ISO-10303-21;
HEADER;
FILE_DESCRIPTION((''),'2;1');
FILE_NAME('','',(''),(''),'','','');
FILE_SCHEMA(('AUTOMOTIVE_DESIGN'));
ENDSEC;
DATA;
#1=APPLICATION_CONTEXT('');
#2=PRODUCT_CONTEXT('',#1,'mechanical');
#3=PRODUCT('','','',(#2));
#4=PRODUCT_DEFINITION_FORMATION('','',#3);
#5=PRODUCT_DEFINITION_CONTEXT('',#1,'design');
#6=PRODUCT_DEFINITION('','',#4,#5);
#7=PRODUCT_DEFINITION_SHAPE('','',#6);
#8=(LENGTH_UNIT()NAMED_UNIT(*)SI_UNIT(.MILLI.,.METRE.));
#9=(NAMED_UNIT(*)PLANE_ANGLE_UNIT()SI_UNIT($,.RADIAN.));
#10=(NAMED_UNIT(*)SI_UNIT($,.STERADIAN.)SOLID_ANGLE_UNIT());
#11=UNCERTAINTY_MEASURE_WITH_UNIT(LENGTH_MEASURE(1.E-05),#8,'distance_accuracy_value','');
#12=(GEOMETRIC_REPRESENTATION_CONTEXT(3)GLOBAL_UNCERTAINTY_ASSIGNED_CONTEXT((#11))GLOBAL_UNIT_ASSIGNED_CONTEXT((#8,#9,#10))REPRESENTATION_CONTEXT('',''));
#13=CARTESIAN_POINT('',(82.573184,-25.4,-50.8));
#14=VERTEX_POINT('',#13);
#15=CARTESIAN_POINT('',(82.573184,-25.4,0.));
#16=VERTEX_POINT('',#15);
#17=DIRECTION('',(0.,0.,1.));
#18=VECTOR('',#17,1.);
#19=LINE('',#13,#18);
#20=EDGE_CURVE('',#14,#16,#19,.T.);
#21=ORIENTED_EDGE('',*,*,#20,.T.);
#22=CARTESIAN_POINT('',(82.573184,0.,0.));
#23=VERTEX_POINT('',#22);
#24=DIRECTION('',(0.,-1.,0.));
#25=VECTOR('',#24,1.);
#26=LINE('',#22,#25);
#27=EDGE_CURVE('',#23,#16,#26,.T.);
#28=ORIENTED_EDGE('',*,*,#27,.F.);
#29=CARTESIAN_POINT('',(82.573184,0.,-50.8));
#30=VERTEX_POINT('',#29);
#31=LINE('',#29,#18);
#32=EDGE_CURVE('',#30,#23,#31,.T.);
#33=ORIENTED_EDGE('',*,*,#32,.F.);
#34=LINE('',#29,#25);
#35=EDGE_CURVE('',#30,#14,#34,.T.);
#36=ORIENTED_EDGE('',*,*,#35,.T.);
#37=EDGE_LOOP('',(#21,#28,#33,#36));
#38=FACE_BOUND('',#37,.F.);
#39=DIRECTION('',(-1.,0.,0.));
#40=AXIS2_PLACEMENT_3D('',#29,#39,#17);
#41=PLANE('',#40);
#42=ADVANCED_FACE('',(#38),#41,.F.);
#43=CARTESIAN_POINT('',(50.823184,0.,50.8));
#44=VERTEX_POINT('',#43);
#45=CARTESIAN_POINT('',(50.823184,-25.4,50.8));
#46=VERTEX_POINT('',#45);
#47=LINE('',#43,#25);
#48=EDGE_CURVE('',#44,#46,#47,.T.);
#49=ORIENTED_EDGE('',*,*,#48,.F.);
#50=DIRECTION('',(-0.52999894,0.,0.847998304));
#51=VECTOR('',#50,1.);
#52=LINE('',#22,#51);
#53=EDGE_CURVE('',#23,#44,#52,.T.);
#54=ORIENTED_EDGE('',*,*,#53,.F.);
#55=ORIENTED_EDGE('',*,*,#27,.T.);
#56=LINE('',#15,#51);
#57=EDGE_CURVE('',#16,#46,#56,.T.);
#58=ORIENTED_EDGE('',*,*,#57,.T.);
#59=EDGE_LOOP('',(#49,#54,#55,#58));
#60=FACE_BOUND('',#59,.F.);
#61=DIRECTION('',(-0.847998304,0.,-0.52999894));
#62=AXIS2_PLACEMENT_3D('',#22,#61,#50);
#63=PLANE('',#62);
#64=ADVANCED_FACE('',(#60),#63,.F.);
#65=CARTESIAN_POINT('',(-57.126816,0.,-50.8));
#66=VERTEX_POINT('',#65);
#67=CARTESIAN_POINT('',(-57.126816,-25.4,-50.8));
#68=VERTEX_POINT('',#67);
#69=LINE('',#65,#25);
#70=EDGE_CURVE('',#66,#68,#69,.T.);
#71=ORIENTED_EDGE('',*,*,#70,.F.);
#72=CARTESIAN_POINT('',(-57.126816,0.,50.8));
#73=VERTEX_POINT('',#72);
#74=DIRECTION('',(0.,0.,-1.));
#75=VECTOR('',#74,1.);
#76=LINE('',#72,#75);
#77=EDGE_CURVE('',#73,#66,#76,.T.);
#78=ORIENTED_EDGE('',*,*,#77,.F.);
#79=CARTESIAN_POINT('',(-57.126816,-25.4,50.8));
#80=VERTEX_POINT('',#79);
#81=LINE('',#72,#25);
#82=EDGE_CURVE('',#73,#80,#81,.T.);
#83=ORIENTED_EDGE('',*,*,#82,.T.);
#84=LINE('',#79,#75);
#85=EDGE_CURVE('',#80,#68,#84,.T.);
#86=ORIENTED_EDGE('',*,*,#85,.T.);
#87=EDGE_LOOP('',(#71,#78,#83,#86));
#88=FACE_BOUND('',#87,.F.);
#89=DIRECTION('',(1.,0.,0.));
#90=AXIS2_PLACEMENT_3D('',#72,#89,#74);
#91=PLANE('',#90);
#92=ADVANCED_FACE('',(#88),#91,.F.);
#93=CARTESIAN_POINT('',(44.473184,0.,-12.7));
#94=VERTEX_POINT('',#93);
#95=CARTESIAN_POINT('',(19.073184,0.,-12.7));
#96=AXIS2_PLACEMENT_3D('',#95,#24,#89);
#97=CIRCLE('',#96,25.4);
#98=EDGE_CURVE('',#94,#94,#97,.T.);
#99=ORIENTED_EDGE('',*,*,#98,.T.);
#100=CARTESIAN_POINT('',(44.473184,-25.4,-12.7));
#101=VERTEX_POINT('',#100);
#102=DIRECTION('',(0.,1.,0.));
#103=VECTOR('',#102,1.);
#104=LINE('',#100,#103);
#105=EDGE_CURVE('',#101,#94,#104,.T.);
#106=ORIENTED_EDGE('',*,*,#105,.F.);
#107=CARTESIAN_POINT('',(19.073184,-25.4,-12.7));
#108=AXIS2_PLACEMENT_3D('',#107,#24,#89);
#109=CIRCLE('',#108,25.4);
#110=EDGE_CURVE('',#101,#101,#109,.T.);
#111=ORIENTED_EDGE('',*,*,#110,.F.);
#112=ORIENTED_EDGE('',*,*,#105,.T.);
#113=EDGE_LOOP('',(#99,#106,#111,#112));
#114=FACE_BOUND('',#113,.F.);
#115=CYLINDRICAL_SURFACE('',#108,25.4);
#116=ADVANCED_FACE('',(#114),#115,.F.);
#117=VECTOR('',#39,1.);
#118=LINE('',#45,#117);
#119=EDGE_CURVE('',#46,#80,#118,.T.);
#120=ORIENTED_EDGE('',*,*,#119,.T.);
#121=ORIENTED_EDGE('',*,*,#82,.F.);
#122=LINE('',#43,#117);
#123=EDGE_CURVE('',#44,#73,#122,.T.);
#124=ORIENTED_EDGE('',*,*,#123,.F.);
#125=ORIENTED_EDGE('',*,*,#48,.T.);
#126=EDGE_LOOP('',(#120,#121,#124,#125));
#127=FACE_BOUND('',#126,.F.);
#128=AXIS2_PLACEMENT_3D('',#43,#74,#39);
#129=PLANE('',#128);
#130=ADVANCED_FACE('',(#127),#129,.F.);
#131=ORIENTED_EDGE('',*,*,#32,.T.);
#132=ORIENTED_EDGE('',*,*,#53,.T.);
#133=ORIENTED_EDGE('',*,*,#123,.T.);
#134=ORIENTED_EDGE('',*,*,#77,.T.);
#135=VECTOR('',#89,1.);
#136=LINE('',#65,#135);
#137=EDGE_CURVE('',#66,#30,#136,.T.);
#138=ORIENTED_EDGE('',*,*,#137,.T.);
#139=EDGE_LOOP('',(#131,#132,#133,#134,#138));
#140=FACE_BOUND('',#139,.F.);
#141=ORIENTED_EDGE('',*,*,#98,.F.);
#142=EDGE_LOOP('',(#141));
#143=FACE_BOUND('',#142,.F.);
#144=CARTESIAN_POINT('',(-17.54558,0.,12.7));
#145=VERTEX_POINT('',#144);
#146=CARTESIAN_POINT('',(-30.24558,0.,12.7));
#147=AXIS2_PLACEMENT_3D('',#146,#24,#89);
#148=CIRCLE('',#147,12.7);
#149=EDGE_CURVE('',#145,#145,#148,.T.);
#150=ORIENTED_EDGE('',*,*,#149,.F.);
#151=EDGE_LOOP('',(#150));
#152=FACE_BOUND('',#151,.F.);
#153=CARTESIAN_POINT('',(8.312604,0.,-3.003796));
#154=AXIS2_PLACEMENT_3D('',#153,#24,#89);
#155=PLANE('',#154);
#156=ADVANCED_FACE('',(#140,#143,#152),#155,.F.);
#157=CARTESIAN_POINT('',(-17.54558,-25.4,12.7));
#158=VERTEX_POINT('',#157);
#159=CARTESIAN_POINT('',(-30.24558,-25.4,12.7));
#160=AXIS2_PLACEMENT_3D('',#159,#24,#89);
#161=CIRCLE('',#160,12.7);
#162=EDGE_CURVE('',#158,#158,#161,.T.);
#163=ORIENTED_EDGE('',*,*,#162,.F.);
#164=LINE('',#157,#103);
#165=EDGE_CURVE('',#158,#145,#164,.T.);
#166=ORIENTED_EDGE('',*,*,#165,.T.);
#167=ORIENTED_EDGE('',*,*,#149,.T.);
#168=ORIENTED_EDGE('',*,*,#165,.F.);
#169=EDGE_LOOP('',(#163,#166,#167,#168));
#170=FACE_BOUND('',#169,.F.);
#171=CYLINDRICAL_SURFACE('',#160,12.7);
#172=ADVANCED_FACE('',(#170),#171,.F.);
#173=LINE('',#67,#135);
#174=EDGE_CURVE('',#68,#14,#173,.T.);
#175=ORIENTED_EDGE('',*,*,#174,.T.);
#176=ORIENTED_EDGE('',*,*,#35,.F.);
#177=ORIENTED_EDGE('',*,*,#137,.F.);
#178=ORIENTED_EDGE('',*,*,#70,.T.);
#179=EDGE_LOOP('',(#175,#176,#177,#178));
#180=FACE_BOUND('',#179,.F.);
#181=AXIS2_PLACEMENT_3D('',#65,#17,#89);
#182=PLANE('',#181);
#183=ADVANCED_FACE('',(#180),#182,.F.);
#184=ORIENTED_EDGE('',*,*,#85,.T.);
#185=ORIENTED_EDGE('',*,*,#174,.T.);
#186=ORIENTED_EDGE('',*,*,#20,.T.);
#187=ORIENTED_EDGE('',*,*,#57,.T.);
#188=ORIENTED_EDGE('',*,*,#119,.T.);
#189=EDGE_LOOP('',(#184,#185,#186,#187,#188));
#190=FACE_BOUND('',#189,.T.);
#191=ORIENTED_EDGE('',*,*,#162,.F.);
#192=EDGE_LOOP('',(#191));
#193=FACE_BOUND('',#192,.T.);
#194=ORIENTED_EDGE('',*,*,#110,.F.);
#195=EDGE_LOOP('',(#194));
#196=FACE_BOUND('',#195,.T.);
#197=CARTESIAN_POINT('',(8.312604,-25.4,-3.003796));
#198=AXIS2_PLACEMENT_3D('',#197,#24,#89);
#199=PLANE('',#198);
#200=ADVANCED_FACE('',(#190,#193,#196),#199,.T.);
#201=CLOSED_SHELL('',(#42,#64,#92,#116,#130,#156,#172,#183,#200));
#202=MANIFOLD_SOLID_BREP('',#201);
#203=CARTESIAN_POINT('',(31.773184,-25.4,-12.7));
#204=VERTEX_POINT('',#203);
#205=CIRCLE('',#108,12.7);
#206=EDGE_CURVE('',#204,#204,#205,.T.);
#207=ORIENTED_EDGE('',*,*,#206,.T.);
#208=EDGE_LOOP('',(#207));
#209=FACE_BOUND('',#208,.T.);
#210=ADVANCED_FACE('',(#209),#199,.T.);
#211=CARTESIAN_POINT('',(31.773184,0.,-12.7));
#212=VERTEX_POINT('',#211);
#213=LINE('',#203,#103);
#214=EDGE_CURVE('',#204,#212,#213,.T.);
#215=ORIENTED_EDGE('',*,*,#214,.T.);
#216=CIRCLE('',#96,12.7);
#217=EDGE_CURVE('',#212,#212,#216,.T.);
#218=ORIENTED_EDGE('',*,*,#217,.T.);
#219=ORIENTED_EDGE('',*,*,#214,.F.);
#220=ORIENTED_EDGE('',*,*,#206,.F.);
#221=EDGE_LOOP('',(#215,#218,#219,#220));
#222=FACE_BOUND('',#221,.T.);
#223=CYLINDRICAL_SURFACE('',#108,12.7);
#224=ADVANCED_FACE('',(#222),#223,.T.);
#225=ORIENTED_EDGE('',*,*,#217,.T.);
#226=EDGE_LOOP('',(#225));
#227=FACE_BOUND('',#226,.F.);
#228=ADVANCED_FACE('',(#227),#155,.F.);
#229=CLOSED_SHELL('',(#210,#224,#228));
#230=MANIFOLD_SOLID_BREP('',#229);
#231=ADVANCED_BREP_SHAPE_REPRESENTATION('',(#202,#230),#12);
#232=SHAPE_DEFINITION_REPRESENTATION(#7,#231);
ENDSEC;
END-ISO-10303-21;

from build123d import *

# Parameters (mm, degrees)
F1_DEPTH = 25.4
F2_R     = 12.7
F2_R_2   = 25.4
F3_DEPTH = 25.4


with BuildPart() as f1:
    # F0 (on Front) → F1 (new body)
    with BuildSketch(Plane.XZ):
        Polygon((50.823184, 50.8), (-57.126816, 50.8), (-57.126816, -50.8), (82.573184, -50.8), (82.573184, 0), align=None)
    extrude(amount=F1_DEPTH)

    # F2 (on face) → F3 (cut)
    with BuildSketch(Plane.XZ.offset(25.4)):
        with Locations((-30.24558, 12.7)):
            Circle(F2_R)
        with Locations((19.073184, -12.7)):
            Circle(F2_R_2)
        with Locations((19.073184, -12.7)):
            Circle(F2_R, mode=Mode.SUBTRACT)
    extrude(amount=-F3_DEPTH, mode=Mode.SUBTRACT)


solid = f1.part
